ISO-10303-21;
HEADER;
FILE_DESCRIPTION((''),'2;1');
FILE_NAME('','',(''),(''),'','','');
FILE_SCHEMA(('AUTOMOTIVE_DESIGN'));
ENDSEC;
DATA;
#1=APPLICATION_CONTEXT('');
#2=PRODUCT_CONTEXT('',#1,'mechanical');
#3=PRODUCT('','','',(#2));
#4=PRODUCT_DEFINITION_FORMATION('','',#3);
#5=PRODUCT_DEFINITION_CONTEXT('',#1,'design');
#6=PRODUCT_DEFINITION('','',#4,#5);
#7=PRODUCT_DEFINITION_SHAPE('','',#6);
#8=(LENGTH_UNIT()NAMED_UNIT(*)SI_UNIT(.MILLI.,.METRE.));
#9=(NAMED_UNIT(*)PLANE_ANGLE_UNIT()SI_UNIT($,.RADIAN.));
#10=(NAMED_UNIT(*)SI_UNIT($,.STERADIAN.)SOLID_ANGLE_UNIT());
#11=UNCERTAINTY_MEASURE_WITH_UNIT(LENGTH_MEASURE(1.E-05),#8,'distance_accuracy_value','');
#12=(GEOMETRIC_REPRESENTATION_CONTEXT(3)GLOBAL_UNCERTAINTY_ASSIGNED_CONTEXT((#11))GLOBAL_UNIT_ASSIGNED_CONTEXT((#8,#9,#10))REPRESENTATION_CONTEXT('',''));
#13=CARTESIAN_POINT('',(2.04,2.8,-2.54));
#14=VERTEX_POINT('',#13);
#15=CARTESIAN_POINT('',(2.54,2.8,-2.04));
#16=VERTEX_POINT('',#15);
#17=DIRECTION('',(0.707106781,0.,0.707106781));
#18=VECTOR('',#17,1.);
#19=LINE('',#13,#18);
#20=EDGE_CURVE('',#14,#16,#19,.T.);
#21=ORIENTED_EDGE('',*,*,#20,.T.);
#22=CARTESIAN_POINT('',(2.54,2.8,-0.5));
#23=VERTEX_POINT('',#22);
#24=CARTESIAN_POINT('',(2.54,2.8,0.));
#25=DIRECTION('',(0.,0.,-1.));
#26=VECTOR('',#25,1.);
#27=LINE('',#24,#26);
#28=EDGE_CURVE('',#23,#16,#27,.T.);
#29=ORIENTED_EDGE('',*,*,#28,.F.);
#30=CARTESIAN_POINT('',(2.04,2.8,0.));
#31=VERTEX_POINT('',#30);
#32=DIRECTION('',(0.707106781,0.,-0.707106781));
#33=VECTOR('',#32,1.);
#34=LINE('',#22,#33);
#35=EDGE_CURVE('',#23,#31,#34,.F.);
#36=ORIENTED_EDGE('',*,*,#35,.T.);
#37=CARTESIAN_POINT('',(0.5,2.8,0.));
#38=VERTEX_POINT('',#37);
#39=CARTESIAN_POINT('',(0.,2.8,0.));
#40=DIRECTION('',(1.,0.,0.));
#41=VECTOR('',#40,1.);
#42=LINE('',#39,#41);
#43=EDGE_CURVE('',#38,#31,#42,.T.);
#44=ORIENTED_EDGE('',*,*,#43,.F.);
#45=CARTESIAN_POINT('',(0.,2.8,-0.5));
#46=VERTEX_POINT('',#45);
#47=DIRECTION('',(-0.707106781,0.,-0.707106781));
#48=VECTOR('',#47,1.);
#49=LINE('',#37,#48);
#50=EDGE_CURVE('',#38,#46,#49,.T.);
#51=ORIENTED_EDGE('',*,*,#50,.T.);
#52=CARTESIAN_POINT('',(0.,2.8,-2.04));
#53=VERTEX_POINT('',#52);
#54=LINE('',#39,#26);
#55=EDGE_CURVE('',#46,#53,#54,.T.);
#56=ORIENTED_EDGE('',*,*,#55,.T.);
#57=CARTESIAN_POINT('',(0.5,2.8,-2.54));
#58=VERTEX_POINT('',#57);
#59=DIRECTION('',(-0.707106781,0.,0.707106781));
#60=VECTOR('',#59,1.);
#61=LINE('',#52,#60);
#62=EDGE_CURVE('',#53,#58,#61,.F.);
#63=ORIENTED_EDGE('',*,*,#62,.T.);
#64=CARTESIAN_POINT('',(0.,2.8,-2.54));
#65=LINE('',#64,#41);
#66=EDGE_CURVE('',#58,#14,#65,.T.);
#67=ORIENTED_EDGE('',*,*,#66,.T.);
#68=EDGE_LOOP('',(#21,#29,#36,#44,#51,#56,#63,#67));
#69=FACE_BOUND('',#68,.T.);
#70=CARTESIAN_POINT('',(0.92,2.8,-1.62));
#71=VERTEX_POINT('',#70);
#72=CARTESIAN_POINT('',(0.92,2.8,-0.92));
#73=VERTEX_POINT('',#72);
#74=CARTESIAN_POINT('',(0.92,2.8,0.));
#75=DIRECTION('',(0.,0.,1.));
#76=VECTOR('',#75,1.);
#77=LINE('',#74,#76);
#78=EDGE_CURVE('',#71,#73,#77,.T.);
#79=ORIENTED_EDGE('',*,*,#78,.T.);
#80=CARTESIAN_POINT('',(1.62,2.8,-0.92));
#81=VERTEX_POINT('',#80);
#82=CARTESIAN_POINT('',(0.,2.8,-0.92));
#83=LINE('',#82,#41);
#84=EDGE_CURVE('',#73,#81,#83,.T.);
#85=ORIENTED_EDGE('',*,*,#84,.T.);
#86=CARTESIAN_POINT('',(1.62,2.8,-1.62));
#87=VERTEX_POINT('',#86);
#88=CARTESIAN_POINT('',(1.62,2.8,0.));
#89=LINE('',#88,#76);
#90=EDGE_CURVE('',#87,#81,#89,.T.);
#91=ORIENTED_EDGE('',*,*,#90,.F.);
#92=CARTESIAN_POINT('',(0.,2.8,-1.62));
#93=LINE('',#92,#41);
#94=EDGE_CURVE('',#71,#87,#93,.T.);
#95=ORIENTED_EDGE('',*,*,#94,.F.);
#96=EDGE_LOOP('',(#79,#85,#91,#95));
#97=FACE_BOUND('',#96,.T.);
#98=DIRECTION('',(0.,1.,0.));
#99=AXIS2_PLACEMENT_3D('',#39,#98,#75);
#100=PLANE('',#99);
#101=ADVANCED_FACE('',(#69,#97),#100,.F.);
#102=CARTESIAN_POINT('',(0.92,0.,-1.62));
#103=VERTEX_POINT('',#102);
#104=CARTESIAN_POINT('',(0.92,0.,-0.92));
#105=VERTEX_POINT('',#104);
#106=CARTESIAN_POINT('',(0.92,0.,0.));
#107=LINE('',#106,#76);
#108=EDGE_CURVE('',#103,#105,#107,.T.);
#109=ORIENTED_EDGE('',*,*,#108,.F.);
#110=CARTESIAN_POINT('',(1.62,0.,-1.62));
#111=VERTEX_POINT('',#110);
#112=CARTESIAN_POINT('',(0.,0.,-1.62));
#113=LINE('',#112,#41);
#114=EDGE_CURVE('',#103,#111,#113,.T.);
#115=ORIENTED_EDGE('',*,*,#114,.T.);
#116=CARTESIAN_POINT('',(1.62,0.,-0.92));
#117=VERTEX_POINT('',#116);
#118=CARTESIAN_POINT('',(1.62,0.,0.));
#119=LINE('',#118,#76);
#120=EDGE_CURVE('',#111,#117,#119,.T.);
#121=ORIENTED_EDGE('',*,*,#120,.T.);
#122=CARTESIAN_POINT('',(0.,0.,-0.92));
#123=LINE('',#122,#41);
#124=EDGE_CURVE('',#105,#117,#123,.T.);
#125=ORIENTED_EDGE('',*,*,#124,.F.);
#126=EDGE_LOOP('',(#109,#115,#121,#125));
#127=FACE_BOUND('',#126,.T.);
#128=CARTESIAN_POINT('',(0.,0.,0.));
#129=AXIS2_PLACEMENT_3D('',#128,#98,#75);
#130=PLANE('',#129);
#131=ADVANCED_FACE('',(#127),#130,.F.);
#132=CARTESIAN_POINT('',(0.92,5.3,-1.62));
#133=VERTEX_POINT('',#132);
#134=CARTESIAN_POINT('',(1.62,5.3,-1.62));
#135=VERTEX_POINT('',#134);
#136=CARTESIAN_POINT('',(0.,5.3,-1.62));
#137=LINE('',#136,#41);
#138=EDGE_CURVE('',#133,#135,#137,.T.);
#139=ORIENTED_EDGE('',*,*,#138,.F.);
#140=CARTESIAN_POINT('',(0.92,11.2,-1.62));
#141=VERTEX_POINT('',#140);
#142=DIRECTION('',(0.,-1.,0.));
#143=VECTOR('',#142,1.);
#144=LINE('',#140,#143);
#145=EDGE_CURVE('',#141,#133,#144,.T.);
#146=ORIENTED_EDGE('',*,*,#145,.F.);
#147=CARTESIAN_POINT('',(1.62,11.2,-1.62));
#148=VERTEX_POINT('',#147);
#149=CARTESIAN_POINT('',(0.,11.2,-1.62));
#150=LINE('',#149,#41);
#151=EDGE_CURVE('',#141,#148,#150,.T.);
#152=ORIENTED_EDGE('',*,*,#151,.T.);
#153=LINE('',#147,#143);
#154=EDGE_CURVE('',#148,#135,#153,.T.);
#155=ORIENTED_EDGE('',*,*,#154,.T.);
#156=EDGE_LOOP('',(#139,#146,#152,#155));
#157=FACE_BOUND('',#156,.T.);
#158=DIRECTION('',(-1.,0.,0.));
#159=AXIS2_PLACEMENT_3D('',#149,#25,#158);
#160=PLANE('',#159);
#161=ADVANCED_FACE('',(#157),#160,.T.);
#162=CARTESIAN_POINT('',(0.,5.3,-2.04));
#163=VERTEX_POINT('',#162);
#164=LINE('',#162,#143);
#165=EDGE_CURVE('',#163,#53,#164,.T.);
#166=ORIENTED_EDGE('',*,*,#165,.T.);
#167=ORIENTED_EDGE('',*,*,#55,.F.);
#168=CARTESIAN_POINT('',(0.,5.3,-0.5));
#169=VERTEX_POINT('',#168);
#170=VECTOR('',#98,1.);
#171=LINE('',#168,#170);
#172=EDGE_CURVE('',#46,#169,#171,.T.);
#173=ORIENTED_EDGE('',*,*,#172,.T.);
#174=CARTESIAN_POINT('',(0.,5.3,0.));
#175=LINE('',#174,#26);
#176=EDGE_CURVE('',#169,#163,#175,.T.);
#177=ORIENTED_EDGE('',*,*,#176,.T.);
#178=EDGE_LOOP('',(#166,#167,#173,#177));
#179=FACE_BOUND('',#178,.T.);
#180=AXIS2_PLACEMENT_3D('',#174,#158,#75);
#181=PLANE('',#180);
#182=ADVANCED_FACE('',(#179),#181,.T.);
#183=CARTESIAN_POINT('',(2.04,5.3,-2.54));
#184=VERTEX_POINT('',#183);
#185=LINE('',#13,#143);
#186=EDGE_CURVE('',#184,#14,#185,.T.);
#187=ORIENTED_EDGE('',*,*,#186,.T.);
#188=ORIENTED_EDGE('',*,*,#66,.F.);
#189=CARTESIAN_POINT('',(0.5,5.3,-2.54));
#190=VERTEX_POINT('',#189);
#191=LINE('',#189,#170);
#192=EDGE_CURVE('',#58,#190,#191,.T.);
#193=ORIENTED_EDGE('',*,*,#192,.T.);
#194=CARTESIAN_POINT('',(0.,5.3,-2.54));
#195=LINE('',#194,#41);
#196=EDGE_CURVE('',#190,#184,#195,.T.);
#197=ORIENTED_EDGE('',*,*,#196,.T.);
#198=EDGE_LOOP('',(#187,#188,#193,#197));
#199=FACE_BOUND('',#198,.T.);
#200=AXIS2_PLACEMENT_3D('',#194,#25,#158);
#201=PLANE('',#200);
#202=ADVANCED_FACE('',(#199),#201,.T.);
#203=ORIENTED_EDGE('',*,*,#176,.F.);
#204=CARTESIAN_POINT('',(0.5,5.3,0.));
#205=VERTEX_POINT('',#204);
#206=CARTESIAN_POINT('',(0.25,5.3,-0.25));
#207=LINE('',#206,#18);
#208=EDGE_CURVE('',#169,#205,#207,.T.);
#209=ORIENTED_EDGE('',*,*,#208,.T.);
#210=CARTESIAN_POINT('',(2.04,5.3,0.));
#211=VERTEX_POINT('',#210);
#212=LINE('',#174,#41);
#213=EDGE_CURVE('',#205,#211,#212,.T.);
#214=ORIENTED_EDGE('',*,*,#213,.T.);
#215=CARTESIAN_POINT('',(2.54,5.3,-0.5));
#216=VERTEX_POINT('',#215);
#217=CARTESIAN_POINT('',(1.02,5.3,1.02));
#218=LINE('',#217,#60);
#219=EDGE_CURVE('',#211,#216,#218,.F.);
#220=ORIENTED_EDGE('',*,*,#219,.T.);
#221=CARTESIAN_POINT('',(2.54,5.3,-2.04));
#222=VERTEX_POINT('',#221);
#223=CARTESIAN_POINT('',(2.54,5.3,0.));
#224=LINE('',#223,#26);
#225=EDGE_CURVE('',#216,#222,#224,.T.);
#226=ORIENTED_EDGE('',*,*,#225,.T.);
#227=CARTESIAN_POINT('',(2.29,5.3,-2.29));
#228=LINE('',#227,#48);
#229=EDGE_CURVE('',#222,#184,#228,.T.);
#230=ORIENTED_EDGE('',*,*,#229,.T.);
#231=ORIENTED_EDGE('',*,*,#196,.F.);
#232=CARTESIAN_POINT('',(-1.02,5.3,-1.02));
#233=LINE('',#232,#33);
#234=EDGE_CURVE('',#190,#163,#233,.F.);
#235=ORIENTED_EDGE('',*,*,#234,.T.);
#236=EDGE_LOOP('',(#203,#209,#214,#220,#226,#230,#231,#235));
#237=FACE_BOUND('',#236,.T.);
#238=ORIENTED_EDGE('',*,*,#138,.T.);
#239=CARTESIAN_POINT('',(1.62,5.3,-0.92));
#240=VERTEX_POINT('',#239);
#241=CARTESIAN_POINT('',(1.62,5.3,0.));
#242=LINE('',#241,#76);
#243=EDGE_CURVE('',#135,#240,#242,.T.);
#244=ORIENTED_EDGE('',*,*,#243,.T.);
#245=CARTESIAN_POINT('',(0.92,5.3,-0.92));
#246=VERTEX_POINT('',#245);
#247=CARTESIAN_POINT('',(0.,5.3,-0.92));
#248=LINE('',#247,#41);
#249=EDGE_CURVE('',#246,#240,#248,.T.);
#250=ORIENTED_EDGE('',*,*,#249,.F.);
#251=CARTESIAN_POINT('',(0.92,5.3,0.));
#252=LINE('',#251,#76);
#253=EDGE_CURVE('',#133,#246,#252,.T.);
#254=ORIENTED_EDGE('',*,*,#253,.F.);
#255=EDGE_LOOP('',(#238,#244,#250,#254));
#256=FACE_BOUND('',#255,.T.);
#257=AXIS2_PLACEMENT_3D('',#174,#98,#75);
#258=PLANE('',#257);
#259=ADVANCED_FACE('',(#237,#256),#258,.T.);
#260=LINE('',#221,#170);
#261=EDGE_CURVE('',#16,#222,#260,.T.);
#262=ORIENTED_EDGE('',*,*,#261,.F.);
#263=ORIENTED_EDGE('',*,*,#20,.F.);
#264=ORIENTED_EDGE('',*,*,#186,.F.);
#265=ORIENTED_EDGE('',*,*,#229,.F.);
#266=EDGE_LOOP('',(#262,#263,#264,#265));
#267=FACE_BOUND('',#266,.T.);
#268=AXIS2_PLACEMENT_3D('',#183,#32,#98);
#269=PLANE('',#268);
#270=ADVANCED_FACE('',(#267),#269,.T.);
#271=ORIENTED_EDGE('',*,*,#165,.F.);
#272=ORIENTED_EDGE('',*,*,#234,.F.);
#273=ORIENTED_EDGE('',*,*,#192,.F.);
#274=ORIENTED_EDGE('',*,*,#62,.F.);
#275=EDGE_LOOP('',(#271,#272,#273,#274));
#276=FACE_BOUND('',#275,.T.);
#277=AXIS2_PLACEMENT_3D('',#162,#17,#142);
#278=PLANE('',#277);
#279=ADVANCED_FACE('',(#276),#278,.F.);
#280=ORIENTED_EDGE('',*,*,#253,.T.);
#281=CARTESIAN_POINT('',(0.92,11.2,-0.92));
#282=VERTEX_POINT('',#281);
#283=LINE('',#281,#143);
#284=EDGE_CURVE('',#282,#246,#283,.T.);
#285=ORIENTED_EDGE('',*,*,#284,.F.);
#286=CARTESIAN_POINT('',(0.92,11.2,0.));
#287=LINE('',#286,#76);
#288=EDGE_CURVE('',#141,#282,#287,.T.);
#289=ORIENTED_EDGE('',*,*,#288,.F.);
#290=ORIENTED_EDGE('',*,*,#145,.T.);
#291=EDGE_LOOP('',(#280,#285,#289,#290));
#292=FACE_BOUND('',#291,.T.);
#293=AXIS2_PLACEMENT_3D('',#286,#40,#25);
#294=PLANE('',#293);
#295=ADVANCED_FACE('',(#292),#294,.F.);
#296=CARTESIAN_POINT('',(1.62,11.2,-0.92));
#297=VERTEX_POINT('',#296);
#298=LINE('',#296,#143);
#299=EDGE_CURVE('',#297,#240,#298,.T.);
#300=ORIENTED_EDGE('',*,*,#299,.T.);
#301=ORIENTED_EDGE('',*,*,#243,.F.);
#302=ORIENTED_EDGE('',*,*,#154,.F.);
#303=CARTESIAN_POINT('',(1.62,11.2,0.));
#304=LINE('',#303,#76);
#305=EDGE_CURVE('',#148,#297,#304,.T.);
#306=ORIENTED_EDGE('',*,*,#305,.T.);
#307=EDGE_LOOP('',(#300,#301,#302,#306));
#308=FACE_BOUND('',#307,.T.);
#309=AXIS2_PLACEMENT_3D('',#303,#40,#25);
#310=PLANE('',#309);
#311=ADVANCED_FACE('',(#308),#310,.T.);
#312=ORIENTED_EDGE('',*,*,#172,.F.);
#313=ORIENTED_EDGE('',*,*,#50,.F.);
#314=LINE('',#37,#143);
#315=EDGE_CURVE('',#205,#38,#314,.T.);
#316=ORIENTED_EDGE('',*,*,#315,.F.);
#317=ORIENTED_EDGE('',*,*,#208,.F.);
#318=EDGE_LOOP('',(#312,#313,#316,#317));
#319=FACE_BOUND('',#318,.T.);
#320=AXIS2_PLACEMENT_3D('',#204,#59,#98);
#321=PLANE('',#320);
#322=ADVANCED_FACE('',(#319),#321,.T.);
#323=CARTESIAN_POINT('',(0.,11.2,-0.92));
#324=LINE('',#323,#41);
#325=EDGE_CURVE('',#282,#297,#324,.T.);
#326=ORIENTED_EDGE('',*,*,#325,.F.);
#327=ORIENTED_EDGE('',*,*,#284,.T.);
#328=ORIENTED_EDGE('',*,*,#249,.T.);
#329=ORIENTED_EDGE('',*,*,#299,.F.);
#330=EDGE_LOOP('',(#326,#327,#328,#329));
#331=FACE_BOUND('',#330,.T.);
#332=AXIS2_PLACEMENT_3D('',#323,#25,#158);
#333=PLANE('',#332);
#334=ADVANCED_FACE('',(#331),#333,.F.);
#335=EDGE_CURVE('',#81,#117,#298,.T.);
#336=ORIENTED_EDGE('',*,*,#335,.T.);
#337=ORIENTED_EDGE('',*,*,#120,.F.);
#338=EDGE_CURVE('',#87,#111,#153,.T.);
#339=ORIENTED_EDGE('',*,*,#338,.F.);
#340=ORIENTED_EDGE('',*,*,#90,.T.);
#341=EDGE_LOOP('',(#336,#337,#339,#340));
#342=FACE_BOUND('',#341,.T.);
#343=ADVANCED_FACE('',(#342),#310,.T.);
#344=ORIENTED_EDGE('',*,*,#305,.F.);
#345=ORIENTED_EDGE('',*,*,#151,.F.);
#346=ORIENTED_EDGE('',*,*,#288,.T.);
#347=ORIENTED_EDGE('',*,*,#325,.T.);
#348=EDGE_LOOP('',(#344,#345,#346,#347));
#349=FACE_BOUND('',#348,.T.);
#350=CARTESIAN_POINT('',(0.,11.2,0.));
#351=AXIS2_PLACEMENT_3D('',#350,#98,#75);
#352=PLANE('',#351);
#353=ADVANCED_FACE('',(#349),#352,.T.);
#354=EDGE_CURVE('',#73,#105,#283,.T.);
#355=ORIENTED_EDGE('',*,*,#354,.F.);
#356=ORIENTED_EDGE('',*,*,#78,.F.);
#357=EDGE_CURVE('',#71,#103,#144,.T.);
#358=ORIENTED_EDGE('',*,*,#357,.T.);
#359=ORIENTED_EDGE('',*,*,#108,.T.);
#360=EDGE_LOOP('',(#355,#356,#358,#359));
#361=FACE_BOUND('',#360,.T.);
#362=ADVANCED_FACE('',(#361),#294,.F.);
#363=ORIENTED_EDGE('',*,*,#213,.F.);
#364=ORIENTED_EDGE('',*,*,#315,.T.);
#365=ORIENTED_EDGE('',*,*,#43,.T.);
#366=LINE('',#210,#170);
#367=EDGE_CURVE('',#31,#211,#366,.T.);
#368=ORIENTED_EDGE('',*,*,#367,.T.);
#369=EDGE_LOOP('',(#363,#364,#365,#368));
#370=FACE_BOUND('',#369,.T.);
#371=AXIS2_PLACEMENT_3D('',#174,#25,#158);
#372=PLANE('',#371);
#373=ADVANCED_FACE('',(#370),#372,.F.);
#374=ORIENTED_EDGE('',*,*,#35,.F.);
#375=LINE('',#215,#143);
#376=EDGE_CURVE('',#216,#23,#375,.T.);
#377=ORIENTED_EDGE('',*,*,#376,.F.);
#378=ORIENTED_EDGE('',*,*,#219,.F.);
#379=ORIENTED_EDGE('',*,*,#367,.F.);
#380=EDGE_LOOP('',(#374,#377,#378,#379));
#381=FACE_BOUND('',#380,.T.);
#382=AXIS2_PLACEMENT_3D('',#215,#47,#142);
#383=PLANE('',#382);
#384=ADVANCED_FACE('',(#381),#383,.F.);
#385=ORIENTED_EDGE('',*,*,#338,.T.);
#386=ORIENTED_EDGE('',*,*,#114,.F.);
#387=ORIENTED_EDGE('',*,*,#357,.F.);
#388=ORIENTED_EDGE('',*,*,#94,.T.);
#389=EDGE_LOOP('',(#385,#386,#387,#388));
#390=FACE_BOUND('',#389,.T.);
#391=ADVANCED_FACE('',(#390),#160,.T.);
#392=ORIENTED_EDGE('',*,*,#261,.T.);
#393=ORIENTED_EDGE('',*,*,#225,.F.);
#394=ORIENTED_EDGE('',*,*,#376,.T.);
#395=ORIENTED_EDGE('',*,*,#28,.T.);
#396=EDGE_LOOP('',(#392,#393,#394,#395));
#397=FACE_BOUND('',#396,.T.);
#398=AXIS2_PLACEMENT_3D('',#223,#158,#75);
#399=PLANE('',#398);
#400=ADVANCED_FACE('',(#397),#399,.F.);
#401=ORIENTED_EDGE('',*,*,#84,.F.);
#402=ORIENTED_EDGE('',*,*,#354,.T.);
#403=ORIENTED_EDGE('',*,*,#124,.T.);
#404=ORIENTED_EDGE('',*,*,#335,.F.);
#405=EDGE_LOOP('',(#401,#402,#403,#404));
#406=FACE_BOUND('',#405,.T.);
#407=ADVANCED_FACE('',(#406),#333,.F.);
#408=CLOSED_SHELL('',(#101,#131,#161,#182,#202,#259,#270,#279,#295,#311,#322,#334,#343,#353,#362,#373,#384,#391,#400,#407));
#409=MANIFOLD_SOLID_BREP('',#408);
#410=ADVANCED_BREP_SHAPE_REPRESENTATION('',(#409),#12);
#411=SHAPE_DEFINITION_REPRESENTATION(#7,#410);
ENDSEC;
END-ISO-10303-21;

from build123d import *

# Parameters (mm, degrees)
SKETCH1_W           = 0.7
SKETCH1_H           = 0.7
BOSS_EXTRUDE1_DEPTH = 11.2
BOSS_EXTRUDE2_START = 2.8
SKETCH1_3_W         = 2.54
SKETCH1_3_H         = 2.54
SKETCH1_3_W_2       = 0.7
SKETCH1_3_H_2       = 0.7
BOSS_EXTRUDE2_DEPTH = 2.5
CHAMFER1_SIZE       = 0.5


with BuildPart() as part:
    # Sketch1 → Boss-Extrude1 (new body)
    with BuildSketch(Plane(origin=(0, 0, 0), x_dir=(1, 0, 0), z_dir=(0, 1, 0))):
        with Locations((1.27, 1.27)):
            Rectangle(SKETCH1_W, SKETCH1_H)
    extrude(amount=BOSS_EXTRUDE1_DEPTH)

    # Sketch1<3> → Boss-Extrude2 (add)
    with BuildSketch(Plane(origin=(0, 0, 0), x_dir=(1, 0, 0), z_dir=(0, 1, 0)).offset(BOSS_EXTRUDE2_START)):
        with Locations((1.27, 1.27)):
            Rectangle(SKETCH1_3_W, SKETCH1_3_H)
        with Locations((1.27, 1.27)):
            Rectangle(SKETCH1_3_W_2, SKETCH1_3_H_2, mode=Mode.SUBTRACT)
    extrude(amount=BOSS_EXTRUDE2_DEPTH)

    # Chamfer1
    chamfer1_edges = [part.edges().sort_by_distance(p)[0] for p in [
        (0, 4.05, 0),
        (2.54, 4.05, 0),
        (2.54, 4.05, -2.54),
        (0, 4.05, -2.54),
    ]]
    chamfer(chamfer1_edges, length=CHAMFER1_SIZE)


solid = part.part
